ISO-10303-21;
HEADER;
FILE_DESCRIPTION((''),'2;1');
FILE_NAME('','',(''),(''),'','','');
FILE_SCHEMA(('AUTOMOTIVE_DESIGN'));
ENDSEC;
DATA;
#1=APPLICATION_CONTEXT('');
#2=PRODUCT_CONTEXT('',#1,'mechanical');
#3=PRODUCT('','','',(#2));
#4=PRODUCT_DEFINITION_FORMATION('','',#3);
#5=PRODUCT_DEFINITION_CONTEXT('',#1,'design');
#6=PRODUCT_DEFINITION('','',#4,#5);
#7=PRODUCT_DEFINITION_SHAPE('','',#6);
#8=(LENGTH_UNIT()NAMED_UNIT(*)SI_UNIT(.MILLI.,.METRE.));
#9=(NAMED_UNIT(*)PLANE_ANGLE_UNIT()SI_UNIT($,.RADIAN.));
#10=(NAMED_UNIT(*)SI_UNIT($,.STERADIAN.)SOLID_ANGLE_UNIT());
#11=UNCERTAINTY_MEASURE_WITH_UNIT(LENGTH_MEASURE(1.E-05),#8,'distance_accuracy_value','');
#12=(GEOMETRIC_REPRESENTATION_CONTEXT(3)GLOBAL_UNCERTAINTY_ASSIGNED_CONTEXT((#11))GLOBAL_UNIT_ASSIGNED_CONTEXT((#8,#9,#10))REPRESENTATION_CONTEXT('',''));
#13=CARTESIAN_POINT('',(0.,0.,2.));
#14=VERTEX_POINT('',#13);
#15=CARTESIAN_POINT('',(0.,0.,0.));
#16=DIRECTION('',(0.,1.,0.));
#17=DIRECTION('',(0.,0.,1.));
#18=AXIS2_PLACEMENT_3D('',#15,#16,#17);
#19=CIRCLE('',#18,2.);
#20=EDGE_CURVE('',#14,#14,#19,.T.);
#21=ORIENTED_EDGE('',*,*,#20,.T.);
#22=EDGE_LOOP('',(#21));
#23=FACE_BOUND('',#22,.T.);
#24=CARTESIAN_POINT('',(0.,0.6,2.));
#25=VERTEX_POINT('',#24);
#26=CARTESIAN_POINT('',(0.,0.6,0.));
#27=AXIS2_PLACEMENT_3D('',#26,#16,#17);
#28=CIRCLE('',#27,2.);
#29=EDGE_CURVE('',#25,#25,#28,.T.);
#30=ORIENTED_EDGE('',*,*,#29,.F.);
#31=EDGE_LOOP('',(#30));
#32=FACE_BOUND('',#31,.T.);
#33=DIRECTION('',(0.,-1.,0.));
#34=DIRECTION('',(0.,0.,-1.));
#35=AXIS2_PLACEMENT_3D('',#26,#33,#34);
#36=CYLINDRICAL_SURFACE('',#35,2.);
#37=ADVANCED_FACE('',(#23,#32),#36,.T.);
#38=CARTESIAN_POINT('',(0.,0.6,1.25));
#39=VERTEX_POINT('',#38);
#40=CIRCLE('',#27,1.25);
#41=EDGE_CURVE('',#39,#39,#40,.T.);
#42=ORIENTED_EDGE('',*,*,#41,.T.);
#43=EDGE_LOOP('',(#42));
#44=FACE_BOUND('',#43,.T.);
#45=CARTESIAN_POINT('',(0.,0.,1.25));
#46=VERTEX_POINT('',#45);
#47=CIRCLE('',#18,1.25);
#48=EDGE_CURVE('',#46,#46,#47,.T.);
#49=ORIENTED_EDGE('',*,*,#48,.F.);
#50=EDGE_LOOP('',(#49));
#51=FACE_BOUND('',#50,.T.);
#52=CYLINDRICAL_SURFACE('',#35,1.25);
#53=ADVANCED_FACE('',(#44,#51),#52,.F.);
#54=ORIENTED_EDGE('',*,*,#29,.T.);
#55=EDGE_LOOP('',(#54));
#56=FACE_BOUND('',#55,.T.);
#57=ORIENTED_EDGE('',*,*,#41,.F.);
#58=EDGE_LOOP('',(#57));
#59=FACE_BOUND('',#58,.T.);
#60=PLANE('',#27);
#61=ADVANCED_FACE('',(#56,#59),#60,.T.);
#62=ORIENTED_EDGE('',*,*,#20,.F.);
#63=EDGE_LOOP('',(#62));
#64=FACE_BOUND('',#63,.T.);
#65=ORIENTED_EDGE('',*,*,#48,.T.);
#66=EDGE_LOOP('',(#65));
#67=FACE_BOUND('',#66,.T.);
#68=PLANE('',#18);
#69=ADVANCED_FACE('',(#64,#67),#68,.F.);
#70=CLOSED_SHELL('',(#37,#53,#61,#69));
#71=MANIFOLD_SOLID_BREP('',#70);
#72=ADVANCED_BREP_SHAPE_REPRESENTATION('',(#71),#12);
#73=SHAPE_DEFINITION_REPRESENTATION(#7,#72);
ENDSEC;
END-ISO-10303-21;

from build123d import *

# Parameters (mm, degrees)
SKETCH1_R           = 2
SKETCH1_R_2         = 1.25
BOSS_EXTRUDE1_DEPTH = 0.6


with BuildPart() as part:
    # Sketch1 → Boss-Extrude1 (new body)
    with BuildSketch(Plane(origin=(0, 0, 0), x_dir=(1, 0, 0), z_dir=(0, 1, 0))):
        with Locations(Location((0, 0, 0), (0, 0, 270))):
            Circle(SKETCH1_R)
        with Locations(Location((0, 0, 0), (0, 0, 270))):
            Circle(SKETCH1_R_2, mode=Mode.SUBTRACT)
    extrude(amount=BOSS_EXTRUDE1_DEPTH)


solid = part.part
